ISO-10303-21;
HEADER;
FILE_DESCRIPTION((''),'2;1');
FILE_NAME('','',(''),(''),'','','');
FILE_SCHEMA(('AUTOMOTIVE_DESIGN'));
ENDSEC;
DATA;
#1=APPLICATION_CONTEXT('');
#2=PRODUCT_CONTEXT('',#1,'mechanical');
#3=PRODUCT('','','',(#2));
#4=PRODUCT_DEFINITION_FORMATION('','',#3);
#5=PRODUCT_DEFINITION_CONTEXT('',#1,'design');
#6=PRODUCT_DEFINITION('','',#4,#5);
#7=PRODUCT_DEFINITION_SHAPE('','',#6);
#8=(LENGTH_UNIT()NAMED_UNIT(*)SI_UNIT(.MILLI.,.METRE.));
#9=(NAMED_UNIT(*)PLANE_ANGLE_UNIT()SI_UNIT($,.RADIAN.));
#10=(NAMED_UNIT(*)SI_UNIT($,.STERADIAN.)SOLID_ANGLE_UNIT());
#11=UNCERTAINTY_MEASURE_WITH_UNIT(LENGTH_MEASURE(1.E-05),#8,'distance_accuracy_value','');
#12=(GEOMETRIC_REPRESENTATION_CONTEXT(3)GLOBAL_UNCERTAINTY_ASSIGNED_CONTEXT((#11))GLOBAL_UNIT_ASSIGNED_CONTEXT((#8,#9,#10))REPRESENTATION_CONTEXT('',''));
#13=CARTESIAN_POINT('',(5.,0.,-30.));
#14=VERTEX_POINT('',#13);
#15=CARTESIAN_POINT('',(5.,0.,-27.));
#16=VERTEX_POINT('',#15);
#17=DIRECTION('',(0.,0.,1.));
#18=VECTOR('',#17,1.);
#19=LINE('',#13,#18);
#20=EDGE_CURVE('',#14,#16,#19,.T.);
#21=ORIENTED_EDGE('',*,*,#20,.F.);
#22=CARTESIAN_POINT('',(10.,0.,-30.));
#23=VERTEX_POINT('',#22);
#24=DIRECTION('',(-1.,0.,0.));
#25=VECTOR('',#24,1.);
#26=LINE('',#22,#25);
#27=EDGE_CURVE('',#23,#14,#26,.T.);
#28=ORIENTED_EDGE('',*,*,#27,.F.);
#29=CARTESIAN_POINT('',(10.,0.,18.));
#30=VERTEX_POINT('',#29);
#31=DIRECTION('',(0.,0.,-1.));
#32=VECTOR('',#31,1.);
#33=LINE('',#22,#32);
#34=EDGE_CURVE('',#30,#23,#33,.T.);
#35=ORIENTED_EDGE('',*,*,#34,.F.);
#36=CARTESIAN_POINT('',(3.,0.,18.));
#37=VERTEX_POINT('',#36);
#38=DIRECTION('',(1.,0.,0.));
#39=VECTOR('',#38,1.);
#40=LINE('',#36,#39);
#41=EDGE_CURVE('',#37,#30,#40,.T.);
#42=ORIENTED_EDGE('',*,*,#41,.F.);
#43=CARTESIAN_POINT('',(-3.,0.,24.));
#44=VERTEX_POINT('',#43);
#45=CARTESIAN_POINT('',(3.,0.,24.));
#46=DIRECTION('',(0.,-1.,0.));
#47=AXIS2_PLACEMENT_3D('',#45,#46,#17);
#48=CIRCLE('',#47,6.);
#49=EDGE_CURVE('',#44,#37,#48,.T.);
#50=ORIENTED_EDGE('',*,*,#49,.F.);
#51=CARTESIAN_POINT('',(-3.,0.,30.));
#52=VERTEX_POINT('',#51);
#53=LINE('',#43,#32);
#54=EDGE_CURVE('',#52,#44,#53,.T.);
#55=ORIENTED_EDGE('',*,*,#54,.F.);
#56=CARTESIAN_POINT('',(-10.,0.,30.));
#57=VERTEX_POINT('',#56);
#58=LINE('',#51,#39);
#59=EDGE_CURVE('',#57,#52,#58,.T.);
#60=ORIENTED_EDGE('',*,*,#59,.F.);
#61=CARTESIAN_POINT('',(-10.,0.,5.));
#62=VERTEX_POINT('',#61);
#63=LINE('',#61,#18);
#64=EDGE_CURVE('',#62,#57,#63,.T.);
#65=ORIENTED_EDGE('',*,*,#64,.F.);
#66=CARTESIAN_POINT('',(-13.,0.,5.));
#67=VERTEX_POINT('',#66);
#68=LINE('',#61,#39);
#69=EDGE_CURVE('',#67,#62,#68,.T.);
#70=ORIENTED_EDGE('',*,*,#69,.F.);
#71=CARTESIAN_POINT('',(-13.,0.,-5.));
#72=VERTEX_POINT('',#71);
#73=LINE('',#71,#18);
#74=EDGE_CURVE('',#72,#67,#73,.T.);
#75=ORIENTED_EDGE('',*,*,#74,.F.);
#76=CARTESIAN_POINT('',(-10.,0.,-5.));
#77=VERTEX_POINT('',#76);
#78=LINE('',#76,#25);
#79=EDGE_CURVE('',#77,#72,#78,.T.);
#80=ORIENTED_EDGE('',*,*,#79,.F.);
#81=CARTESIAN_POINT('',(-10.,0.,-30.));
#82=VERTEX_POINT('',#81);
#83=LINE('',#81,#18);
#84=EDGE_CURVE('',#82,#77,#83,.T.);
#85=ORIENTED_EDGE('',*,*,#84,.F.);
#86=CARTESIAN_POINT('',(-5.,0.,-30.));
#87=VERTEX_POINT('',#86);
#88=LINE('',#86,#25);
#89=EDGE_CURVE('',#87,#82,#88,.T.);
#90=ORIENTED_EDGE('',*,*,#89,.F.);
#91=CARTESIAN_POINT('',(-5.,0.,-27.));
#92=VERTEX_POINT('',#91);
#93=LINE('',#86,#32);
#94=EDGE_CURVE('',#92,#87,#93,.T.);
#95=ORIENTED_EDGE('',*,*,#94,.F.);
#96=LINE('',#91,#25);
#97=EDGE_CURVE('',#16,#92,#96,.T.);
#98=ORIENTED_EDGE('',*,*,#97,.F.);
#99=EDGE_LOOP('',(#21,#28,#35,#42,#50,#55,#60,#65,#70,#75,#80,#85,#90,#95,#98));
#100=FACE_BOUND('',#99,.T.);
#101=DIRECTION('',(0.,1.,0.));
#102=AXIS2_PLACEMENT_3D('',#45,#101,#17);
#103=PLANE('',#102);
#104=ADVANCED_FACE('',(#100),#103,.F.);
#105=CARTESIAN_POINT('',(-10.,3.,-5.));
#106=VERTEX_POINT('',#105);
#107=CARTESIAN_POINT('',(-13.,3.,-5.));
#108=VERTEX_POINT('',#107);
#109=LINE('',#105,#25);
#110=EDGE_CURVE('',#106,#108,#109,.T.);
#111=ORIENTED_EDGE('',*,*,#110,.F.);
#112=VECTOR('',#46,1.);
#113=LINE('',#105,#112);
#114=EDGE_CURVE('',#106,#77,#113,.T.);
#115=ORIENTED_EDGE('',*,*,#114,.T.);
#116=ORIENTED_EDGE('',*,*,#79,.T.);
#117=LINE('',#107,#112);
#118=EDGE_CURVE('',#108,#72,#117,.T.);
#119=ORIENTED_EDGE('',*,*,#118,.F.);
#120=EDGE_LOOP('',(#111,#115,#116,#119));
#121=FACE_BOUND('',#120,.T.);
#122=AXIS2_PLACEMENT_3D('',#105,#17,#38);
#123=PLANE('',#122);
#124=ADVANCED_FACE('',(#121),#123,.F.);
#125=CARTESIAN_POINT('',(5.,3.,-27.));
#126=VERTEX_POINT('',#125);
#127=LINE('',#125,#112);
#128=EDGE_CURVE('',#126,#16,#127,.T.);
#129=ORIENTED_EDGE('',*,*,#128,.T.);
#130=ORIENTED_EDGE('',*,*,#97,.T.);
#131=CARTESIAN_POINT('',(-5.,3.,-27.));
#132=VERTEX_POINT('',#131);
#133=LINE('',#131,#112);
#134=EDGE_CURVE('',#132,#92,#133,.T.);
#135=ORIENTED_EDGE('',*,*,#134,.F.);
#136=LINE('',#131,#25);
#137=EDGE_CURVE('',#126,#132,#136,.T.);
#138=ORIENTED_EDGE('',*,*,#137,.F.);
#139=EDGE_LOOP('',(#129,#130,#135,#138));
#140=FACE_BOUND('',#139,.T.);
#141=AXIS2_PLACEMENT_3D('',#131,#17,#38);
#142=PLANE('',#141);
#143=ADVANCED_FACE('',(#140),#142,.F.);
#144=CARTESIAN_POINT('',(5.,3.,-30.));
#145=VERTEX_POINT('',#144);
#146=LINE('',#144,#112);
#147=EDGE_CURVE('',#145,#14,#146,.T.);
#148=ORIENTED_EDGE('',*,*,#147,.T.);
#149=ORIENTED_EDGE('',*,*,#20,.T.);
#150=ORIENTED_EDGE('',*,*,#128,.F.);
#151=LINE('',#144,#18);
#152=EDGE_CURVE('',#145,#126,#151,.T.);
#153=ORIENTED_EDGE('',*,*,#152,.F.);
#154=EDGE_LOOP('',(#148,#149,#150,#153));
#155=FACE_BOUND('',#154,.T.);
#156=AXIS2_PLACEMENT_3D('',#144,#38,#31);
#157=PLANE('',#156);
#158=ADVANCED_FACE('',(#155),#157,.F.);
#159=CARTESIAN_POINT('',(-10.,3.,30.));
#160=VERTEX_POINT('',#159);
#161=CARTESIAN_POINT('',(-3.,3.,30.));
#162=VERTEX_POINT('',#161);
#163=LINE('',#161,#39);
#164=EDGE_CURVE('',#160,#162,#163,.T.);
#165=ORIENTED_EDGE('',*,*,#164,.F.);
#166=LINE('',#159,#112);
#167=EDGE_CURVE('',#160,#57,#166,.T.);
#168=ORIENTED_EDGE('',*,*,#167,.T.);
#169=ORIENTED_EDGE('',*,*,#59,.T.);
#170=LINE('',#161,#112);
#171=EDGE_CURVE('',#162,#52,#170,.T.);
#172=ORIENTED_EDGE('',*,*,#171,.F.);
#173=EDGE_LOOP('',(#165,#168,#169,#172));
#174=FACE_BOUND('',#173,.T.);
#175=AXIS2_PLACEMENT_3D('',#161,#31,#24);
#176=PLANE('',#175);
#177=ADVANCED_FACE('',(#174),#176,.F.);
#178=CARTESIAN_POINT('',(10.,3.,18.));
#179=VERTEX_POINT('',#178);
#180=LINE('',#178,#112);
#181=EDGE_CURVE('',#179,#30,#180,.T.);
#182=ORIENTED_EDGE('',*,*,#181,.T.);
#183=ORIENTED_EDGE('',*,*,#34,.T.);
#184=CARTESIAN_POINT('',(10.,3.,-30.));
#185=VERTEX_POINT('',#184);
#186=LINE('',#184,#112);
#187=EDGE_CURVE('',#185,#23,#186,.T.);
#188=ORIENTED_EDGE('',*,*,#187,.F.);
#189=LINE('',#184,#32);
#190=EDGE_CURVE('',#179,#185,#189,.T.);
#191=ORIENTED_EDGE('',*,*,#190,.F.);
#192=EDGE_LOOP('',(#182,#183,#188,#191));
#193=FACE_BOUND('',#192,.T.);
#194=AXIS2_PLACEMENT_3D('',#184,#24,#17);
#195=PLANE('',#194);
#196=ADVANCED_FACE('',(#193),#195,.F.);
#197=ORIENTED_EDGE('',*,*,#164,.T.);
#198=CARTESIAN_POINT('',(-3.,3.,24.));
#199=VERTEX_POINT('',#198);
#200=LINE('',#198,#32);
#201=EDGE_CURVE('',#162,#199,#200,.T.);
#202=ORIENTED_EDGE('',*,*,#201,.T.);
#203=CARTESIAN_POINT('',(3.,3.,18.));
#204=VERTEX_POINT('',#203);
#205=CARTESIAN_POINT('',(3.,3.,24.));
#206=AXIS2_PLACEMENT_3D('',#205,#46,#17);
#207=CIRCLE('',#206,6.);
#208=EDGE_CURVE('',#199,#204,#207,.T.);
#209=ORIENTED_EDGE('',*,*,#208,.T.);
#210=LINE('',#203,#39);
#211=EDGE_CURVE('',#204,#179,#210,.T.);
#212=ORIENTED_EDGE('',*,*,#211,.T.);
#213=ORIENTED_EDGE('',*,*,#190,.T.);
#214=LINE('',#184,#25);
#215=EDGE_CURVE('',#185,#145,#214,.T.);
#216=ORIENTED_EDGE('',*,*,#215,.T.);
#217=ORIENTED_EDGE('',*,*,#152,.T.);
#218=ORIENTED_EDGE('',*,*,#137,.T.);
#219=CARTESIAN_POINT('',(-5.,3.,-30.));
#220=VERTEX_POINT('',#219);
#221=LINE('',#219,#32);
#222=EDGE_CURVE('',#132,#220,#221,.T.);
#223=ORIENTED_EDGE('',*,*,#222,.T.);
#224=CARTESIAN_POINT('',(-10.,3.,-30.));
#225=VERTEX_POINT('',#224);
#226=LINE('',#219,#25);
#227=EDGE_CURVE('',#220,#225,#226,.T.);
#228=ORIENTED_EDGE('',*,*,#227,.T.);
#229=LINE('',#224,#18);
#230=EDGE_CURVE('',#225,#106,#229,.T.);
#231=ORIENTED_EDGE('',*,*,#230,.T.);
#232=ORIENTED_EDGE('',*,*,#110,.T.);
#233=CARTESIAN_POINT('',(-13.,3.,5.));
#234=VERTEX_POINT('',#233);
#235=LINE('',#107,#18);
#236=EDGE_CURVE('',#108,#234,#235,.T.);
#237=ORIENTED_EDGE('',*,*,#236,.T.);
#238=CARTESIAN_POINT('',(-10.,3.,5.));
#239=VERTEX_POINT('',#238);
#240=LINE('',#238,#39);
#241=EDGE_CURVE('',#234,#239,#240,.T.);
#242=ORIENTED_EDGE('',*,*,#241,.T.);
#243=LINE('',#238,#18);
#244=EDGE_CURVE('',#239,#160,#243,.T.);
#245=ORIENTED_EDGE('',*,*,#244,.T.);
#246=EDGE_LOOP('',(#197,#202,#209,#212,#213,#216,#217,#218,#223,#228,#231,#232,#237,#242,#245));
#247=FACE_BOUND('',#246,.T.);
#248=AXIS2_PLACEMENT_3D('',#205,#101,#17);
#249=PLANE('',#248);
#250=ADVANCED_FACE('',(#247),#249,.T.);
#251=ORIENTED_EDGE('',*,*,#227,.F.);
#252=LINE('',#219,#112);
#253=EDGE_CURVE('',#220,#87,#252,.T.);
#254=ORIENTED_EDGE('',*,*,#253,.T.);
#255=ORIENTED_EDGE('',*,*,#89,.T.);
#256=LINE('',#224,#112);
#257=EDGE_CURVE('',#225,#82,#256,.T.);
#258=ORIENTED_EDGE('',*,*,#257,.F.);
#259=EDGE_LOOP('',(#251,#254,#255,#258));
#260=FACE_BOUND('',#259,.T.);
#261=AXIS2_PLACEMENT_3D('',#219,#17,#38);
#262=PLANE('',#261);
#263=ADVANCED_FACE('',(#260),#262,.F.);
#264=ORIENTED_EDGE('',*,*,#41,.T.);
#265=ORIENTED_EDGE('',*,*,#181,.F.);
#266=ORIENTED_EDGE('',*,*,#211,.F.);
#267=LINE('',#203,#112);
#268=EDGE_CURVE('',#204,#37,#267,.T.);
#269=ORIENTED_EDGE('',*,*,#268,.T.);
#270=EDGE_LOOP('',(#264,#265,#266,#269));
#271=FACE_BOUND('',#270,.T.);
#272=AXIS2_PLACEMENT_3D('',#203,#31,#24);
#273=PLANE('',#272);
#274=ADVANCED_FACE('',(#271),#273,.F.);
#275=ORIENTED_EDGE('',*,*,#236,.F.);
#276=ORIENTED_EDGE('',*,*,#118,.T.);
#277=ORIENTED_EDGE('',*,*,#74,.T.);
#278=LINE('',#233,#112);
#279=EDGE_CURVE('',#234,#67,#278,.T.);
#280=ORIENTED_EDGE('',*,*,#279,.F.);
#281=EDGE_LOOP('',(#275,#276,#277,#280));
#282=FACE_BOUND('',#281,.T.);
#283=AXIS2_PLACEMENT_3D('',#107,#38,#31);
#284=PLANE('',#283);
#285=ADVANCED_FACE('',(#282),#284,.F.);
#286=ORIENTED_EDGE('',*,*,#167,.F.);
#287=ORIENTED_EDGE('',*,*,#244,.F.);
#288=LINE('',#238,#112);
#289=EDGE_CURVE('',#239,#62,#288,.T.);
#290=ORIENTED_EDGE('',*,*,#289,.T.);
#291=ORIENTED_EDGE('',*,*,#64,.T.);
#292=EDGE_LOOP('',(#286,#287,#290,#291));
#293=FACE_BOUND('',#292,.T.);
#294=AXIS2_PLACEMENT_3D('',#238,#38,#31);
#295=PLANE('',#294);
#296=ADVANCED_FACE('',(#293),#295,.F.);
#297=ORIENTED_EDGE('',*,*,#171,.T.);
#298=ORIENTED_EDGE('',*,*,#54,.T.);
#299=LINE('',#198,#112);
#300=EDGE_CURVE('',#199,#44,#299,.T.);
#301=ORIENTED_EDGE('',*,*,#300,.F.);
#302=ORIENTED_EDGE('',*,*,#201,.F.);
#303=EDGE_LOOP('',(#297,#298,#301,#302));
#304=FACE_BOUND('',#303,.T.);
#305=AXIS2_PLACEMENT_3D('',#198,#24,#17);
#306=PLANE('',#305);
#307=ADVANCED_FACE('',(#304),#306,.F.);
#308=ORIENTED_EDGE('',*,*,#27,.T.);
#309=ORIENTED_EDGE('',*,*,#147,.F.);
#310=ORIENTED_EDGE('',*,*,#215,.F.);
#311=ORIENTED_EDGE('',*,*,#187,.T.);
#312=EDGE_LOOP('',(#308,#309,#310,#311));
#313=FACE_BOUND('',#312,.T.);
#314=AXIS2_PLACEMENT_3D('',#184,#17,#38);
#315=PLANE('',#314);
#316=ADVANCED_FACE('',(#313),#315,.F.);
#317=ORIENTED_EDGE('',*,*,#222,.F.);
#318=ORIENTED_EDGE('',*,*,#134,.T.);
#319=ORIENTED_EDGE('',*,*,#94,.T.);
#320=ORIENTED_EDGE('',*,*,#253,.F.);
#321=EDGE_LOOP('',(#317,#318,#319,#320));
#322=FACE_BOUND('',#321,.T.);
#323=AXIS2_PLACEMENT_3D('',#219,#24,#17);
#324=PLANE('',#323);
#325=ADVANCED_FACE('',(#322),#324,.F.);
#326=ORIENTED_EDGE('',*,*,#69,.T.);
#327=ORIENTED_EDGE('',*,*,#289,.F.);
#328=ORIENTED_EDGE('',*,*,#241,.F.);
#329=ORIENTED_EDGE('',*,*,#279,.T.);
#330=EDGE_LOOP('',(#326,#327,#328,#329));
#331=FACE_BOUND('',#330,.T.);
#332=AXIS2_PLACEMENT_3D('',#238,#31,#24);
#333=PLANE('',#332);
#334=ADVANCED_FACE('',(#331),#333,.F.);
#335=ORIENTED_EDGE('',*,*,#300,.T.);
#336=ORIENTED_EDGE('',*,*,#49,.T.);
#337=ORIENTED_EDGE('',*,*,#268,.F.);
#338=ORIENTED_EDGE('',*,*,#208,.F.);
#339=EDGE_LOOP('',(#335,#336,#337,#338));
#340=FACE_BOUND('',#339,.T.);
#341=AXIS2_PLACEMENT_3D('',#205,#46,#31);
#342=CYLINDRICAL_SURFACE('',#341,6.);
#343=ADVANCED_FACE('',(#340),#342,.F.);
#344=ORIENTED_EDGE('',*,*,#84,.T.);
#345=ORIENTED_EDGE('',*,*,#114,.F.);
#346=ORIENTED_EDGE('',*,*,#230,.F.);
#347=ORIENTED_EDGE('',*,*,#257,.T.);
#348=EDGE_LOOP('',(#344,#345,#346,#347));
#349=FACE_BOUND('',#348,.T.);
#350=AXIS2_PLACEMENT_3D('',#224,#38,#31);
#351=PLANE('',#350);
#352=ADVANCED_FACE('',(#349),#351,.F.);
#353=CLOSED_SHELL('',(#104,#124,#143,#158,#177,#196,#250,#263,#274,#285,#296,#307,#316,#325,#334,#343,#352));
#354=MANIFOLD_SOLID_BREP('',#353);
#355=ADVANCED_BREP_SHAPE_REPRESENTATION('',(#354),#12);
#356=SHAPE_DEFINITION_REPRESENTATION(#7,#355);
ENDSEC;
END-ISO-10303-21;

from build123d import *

# Parameters (mm, degrees)
BOSS_EXTRUDE1_DEPTH = 3


with BuildPart() as part:
    # Sketch1 → Boss-Extrude1 (new body)
    with BuildSketch(Plane(origin=(0, 0, 0), x_dir=(1, 0, 0), z_dir=(0, 1, 0))):
        with BuildLine():
            Line((-3, -24), (-3, -30))
            Line((-3, -30), (-10, -30))
            Line((-10, -30), (-10, -5))
            Line((-10, -5), (-13, -5))
            Line((-13, -5), (-13, 5))
            Line((-13, 5), (-10, 5))
            Line((-10, 5), (-10, 30))
            Line((-10, 30), (-5, 30))
            Line((-5, 30), (-5, 27))
            Line((-5, 27), (5, 27))
            Line((5, 27), (5, 30))
            Line((5, 30), (10, 30))
            Line((10, 30), (10, -18))
            Line((10, -18), (3, -18))
            ThreePointArc((3, -18), (-1.242640687, -19.757359313), (-3, -24))
        make_face()
    extrude(amount=BOSS_EXTRUDE1_DEPTH)


solid = part.part
